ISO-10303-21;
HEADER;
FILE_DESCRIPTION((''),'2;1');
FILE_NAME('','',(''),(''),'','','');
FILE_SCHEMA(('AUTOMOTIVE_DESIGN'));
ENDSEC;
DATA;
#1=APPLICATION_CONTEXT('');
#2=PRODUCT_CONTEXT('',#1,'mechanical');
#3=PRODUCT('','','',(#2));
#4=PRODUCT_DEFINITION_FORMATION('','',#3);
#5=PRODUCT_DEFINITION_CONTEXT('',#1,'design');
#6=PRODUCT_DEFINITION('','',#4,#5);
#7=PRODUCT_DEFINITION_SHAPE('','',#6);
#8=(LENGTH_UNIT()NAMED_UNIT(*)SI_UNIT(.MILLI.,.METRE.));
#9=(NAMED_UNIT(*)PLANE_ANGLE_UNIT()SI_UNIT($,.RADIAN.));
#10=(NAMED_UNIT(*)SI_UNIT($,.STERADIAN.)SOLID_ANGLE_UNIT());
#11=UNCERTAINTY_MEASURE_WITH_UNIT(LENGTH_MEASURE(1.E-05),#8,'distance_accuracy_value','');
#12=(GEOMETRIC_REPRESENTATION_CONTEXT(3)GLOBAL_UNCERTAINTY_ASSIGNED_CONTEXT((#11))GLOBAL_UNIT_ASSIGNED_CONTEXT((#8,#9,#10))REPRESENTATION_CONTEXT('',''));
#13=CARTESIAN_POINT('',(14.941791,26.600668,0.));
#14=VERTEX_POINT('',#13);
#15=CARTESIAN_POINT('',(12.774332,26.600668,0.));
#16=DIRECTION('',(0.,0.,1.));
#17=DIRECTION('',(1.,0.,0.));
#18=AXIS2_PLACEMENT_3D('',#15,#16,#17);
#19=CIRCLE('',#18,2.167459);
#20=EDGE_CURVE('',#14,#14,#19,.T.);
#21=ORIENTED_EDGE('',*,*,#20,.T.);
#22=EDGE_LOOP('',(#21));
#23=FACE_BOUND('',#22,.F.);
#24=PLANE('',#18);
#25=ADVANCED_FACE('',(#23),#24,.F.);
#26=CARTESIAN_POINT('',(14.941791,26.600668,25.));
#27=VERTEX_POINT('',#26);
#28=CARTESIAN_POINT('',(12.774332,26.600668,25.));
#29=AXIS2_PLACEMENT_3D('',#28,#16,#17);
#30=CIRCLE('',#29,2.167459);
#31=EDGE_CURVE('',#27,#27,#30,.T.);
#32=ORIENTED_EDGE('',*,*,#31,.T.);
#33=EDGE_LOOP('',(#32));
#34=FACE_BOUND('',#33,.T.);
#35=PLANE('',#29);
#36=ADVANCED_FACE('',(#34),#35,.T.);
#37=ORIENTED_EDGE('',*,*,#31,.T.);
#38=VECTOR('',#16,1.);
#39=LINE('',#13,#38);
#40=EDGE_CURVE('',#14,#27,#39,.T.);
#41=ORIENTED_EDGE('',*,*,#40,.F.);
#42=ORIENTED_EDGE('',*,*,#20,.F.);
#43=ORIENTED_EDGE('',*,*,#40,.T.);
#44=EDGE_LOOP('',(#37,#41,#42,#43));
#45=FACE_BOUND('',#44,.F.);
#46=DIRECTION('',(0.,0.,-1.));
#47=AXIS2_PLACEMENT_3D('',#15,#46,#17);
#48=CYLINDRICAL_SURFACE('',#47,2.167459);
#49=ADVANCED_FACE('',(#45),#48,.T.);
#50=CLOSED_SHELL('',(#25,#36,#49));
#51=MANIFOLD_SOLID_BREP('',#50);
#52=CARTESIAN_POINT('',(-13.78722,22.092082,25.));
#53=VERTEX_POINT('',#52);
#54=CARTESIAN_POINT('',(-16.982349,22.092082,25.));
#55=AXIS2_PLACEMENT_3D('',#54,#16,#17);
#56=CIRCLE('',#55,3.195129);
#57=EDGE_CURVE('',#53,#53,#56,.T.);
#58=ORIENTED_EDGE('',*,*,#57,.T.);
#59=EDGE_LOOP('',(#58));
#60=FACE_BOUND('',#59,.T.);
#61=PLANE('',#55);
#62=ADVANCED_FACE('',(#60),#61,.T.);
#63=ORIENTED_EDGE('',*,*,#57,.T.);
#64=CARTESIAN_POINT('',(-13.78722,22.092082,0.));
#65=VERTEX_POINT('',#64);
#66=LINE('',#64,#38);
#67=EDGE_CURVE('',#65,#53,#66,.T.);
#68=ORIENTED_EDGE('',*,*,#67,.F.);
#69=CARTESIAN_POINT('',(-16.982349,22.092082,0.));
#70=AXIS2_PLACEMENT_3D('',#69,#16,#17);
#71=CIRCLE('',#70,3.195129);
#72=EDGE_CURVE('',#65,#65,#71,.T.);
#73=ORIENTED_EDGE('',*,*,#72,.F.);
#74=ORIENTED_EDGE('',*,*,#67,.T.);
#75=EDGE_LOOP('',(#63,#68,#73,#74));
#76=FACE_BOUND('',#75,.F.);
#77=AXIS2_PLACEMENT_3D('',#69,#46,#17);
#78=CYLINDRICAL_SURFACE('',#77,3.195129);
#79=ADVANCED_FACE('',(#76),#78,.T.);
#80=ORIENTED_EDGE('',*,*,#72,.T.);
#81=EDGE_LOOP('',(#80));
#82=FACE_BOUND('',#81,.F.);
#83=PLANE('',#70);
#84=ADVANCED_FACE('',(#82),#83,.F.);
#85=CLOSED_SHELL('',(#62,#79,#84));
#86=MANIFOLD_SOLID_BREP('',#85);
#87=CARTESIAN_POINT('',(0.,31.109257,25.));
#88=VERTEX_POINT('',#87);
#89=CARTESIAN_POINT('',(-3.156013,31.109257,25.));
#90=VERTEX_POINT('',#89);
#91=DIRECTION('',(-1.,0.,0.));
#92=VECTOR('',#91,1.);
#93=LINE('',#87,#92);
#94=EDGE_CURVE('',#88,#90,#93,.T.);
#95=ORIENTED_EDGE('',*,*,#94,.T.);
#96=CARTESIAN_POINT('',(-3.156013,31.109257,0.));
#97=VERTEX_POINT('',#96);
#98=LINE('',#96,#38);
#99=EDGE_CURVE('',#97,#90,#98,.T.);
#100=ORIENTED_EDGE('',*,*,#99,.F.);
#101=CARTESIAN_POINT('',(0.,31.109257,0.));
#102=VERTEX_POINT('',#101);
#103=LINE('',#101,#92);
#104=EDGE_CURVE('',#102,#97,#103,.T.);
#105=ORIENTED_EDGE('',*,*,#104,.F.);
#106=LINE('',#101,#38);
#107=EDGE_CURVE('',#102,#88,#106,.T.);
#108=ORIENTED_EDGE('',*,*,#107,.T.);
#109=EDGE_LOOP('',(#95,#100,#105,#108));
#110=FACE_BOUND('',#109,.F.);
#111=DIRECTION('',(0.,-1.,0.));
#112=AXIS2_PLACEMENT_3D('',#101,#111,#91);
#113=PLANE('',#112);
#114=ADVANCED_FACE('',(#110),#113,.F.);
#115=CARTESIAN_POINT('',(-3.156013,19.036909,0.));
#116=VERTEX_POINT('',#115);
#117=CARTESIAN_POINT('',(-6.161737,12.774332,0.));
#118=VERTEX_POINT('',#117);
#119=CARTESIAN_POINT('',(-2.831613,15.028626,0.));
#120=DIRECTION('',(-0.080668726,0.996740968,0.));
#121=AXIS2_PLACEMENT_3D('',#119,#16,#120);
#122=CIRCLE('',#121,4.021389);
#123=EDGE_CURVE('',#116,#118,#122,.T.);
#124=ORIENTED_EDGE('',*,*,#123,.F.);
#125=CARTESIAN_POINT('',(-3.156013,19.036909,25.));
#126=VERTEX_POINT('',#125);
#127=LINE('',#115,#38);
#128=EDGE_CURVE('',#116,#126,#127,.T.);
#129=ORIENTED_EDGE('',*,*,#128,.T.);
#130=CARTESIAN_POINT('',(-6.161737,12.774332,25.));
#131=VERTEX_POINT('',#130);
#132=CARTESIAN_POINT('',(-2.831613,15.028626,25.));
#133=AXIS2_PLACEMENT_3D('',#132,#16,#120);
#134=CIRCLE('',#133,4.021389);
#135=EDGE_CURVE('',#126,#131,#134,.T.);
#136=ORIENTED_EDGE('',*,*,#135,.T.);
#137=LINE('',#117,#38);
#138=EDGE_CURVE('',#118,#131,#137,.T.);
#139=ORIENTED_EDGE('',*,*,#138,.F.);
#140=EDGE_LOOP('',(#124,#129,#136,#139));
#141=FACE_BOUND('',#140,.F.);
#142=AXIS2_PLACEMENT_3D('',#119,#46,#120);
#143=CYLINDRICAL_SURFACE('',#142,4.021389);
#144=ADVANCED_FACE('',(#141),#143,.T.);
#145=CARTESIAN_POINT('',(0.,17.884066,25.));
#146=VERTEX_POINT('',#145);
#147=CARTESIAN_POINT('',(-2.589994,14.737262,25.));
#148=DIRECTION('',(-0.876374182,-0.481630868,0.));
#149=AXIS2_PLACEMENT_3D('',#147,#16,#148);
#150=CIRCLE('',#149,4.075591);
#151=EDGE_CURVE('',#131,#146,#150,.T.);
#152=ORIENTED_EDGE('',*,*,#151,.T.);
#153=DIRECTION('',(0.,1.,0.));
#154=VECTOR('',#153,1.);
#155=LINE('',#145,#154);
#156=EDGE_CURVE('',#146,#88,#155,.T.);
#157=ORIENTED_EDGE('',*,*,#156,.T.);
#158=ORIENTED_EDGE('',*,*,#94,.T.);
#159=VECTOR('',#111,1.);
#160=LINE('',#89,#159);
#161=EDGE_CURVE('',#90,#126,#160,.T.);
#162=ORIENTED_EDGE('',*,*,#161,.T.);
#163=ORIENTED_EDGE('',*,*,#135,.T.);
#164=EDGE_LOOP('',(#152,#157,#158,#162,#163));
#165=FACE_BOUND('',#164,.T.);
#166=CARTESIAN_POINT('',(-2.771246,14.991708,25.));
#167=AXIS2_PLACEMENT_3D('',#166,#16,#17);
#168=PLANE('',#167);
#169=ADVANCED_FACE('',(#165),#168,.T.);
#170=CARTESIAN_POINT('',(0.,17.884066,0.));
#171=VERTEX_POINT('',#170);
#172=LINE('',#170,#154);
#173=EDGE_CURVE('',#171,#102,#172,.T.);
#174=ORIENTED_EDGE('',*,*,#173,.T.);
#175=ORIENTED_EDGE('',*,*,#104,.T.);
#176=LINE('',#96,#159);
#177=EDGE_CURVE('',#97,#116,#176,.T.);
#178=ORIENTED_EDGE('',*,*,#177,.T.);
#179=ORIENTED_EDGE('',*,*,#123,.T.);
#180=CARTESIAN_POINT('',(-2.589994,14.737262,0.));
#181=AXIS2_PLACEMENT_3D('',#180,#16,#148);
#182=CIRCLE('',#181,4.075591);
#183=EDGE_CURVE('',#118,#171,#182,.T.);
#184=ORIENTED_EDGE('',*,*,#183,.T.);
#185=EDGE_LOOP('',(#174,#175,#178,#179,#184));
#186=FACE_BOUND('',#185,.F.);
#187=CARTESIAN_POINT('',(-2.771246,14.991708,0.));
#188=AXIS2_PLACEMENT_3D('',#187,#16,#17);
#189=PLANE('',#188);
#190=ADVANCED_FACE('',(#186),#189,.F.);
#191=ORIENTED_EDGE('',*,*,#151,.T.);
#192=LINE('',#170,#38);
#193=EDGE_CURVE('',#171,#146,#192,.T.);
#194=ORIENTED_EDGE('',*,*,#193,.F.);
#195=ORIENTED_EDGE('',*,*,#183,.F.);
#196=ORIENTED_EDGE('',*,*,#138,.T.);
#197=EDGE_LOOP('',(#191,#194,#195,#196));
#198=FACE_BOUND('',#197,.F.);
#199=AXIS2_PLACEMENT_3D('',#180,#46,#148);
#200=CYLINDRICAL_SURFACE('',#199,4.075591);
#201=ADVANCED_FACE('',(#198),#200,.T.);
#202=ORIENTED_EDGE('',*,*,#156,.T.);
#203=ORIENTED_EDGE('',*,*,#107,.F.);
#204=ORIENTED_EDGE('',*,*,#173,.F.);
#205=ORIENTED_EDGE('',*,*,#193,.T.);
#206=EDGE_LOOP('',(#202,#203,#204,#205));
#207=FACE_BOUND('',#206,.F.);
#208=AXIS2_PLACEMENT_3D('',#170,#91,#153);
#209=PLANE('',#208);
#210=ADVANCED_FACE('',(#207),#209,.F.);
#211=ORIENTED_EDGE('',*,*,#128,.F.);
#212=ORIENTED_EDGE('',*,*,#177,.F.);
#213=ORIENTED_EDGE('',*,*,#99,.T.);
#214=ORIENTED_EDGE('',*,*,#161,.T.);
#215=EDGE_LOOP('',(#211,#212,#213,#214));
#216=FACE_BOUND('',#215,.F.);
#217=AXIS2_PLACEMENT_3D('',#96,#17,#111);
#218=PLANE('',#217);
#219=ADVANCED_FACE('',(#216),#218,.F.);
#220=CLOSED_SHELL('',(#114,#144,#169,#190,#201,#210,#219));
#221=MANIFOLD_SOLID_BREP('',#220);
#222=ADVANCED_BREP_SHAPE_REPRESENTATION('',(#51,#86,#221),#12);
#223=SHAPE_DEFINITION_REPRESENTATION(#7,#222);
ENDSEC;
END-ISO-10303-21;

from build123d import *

# Parameters (mm, degrees)
F0_R     = 3.195129
F0_R_2   = 2.167459
F1_DEPTH = 25


with BuildPart() as f1:
    # F0 (on Top) → F1 (new body)
    with BuildSketch(Plane.XY):
        with Locations((-16.982349, 22.092082)):
            Circle(F0_R)
        with Locations((12.774332, 26.600668)):
            Circle(F0_R_2)
        with BuildLine():
            ThreePointArc((-6.161737, 12.774332), (0.011602, 11.600044), (0, 17.884066))
            ThreePointArc((0, 17.884066), (-1.451834, 18.805898), (-3.156013, 19.036909))
            ThreePointArc((-3.156013, 19.036909), (-6.457058, 16.768659), (-6.161737, 12.774332))
        make_face()
        with BuildLine():
            Line((0, 17.884066), (0, 31.109257))
            Line((0, 31.109257), (-3.156013, 31.109257))
            Line((-3.156013, 31.109257), (-3.156013, 19.036909))
            ThreePointArc((-3.156013, 19.036909), (-1.451834, 18.805898), (0, 17.884066))
        make_face()
    extrude(amount=F1_DEPTH)


solid = f1.part
